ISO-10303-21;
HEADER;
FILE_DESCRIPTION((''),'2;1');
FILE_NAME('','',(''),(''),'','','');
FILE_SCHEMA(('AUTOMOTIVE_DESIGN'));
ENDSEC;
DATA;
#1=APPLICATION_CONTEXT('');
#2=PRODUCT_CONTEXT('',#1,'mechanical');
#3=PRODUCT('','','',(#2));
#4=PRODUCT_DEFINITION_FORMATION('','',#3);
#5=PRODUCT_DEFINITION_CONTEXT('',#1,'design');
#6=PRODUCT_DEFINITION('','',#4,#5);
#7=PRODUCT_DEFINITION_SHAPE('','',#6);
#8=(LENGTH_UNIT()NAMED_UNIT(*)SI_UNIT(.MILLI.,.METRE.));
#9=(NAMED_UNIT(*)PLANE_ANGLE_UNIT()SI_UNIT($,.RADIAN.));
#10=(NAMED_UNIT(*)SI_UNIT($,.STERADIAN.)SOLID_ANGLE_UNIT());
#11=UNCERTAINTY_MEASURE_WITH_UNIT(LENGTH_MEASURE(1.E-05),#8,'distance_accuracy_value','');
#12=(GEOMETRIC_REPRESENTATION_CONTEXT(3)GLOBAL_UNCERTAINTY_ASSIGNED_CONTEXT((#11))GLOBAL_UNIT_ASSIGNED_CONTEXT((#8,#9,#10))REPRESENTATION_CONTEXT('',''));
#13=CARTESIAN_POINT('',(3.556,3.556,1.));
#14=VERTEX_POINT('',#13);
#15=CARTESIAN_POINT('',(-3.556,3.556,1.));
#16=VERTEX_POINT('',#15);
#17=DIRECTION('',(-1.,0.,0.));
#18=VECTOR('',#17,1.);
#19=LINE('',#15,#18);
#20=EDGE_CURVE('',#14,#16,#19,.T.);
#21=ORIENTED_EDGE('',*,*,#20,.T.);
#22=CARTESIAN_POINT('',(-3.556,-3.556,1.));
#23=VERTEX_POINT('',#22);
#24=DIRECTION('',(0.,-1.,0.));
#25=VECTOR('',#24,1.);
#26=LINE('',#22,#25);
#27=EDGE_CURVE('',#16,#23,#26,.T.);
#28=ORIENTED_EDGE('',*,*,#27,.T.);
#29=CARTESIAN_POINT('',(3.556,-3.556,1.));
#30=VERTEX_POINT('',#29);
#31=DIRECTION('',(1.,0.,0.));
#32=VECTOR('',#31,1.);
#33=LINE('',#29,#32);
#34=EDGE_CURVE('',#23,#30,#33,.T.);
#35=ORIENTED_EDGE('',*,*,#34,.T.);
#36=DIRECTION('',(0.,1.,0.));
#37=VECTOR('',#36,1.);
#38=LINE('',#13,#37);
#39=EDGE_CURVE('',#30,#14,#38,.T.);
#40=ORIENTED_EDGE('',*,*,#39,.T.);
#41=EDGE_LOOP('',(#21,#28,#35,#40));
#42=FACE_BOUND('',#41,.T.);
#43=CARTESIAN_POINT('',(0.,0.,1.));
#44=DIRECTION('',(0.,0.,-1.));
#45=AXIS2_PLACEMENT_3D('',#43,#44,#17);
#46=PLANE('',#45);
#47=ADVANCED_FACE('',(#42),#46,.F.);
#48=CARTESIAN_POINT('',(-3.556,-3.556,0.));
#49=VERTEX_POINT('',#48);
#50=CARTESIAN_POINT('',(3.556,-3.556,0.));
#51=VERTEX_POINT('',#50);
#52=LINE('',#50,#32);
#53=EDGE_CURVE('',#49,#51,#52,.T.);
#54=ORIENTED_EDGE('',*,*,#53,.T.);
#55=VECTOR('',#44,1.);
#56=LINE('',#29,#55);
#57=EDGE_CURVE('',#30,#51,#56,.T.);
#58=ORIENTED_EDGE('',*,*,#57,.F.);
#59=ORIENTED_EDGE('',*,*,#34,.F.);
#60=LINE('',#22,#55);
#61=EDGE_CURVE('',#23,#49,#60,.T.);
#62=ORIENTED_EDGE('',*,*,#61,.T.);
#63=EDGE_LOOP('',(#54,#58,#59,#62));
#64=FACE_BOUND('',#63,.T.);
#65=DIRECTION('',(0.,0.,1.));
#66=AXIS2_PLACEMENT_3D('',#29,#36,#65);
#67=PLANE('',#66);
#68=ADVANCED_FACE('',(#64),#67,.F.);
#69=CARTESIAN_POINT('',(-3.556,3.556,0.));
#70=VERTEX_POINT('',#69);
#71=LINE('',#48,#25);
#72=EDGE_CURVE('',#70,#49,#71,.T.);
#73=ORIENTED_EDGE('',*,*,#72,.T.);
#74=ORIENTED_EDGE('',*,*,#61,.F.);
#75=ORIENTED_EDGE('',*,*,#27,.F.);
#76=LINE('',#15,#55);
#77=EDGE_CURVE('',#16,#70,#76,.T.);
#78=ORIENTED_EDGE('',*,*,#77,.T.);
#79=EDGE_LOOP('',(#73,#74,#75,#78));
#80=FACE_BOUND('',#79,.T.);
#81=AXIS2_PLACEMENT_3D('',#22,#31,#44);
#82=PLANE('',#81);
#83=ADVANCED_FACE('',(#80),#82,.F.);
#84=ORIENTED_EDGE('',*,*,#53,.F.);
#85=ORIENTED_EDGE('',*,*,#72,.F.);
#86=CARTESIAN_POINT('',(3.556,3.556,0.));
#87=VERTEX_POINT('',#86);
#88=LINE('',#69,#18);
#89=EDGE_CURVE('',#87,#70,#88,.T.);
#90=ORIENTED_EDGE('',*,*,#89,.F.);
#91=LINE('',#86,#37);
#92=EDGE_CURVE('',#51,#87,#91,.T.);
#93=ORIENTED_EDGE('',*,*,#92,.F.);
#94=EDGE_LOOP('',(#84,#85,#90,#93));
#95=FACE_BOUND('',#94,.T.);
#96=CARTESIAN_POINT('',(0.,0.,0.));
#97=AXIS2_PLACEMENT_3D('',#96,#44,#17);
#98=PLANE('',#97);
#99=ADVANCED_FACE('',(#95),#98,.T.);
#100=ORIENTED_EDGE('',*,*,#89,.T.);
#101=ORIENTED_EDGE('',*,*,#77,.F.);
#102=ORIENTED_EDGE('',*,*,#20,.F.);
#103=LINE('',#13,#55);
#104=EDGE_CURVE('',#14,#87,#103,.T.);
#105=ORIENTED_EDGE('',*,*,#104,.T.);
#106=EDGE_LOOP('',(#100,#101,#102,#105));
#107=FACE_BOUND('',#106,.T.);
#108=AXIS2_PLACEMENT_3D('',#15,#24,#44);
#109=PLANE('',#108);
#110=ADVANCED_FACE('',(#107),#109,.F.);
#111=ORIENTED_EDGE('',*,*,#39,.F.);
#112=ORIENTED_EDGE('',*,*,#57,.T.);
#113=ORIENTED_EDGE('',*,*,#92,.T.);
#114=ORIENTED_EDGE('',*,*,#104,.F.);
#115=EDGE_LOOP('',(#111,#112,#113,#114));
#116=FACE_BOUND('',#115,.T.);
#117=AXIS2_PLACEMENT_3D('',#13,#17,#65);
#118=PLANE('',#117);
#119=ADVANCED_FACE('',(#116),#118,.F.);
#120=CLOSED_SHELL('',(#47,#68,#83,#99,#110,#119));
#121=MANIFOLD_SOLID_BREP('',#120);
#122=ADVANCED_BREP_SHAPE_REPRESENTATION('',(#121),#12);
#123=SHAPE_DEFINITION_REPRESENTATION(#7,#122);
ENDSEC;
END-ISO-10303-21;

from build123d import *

# Parameters (mm, degrees)
SKETCH1_W               = 7.112
SKETCH1_H               = 7.112
COMPONENT_OUTLINE_DEPTH = 1


with BuildPart() as part:
    # Sketch1 → Component_Outline (new body)
    with BuildSketch(Plane.XY):
        Rectangle(SKETCH1_W, SKETCH1_H)
    extrude(amount=COMPONENT_OUTLINE_DEPTH)


solid = part.part
